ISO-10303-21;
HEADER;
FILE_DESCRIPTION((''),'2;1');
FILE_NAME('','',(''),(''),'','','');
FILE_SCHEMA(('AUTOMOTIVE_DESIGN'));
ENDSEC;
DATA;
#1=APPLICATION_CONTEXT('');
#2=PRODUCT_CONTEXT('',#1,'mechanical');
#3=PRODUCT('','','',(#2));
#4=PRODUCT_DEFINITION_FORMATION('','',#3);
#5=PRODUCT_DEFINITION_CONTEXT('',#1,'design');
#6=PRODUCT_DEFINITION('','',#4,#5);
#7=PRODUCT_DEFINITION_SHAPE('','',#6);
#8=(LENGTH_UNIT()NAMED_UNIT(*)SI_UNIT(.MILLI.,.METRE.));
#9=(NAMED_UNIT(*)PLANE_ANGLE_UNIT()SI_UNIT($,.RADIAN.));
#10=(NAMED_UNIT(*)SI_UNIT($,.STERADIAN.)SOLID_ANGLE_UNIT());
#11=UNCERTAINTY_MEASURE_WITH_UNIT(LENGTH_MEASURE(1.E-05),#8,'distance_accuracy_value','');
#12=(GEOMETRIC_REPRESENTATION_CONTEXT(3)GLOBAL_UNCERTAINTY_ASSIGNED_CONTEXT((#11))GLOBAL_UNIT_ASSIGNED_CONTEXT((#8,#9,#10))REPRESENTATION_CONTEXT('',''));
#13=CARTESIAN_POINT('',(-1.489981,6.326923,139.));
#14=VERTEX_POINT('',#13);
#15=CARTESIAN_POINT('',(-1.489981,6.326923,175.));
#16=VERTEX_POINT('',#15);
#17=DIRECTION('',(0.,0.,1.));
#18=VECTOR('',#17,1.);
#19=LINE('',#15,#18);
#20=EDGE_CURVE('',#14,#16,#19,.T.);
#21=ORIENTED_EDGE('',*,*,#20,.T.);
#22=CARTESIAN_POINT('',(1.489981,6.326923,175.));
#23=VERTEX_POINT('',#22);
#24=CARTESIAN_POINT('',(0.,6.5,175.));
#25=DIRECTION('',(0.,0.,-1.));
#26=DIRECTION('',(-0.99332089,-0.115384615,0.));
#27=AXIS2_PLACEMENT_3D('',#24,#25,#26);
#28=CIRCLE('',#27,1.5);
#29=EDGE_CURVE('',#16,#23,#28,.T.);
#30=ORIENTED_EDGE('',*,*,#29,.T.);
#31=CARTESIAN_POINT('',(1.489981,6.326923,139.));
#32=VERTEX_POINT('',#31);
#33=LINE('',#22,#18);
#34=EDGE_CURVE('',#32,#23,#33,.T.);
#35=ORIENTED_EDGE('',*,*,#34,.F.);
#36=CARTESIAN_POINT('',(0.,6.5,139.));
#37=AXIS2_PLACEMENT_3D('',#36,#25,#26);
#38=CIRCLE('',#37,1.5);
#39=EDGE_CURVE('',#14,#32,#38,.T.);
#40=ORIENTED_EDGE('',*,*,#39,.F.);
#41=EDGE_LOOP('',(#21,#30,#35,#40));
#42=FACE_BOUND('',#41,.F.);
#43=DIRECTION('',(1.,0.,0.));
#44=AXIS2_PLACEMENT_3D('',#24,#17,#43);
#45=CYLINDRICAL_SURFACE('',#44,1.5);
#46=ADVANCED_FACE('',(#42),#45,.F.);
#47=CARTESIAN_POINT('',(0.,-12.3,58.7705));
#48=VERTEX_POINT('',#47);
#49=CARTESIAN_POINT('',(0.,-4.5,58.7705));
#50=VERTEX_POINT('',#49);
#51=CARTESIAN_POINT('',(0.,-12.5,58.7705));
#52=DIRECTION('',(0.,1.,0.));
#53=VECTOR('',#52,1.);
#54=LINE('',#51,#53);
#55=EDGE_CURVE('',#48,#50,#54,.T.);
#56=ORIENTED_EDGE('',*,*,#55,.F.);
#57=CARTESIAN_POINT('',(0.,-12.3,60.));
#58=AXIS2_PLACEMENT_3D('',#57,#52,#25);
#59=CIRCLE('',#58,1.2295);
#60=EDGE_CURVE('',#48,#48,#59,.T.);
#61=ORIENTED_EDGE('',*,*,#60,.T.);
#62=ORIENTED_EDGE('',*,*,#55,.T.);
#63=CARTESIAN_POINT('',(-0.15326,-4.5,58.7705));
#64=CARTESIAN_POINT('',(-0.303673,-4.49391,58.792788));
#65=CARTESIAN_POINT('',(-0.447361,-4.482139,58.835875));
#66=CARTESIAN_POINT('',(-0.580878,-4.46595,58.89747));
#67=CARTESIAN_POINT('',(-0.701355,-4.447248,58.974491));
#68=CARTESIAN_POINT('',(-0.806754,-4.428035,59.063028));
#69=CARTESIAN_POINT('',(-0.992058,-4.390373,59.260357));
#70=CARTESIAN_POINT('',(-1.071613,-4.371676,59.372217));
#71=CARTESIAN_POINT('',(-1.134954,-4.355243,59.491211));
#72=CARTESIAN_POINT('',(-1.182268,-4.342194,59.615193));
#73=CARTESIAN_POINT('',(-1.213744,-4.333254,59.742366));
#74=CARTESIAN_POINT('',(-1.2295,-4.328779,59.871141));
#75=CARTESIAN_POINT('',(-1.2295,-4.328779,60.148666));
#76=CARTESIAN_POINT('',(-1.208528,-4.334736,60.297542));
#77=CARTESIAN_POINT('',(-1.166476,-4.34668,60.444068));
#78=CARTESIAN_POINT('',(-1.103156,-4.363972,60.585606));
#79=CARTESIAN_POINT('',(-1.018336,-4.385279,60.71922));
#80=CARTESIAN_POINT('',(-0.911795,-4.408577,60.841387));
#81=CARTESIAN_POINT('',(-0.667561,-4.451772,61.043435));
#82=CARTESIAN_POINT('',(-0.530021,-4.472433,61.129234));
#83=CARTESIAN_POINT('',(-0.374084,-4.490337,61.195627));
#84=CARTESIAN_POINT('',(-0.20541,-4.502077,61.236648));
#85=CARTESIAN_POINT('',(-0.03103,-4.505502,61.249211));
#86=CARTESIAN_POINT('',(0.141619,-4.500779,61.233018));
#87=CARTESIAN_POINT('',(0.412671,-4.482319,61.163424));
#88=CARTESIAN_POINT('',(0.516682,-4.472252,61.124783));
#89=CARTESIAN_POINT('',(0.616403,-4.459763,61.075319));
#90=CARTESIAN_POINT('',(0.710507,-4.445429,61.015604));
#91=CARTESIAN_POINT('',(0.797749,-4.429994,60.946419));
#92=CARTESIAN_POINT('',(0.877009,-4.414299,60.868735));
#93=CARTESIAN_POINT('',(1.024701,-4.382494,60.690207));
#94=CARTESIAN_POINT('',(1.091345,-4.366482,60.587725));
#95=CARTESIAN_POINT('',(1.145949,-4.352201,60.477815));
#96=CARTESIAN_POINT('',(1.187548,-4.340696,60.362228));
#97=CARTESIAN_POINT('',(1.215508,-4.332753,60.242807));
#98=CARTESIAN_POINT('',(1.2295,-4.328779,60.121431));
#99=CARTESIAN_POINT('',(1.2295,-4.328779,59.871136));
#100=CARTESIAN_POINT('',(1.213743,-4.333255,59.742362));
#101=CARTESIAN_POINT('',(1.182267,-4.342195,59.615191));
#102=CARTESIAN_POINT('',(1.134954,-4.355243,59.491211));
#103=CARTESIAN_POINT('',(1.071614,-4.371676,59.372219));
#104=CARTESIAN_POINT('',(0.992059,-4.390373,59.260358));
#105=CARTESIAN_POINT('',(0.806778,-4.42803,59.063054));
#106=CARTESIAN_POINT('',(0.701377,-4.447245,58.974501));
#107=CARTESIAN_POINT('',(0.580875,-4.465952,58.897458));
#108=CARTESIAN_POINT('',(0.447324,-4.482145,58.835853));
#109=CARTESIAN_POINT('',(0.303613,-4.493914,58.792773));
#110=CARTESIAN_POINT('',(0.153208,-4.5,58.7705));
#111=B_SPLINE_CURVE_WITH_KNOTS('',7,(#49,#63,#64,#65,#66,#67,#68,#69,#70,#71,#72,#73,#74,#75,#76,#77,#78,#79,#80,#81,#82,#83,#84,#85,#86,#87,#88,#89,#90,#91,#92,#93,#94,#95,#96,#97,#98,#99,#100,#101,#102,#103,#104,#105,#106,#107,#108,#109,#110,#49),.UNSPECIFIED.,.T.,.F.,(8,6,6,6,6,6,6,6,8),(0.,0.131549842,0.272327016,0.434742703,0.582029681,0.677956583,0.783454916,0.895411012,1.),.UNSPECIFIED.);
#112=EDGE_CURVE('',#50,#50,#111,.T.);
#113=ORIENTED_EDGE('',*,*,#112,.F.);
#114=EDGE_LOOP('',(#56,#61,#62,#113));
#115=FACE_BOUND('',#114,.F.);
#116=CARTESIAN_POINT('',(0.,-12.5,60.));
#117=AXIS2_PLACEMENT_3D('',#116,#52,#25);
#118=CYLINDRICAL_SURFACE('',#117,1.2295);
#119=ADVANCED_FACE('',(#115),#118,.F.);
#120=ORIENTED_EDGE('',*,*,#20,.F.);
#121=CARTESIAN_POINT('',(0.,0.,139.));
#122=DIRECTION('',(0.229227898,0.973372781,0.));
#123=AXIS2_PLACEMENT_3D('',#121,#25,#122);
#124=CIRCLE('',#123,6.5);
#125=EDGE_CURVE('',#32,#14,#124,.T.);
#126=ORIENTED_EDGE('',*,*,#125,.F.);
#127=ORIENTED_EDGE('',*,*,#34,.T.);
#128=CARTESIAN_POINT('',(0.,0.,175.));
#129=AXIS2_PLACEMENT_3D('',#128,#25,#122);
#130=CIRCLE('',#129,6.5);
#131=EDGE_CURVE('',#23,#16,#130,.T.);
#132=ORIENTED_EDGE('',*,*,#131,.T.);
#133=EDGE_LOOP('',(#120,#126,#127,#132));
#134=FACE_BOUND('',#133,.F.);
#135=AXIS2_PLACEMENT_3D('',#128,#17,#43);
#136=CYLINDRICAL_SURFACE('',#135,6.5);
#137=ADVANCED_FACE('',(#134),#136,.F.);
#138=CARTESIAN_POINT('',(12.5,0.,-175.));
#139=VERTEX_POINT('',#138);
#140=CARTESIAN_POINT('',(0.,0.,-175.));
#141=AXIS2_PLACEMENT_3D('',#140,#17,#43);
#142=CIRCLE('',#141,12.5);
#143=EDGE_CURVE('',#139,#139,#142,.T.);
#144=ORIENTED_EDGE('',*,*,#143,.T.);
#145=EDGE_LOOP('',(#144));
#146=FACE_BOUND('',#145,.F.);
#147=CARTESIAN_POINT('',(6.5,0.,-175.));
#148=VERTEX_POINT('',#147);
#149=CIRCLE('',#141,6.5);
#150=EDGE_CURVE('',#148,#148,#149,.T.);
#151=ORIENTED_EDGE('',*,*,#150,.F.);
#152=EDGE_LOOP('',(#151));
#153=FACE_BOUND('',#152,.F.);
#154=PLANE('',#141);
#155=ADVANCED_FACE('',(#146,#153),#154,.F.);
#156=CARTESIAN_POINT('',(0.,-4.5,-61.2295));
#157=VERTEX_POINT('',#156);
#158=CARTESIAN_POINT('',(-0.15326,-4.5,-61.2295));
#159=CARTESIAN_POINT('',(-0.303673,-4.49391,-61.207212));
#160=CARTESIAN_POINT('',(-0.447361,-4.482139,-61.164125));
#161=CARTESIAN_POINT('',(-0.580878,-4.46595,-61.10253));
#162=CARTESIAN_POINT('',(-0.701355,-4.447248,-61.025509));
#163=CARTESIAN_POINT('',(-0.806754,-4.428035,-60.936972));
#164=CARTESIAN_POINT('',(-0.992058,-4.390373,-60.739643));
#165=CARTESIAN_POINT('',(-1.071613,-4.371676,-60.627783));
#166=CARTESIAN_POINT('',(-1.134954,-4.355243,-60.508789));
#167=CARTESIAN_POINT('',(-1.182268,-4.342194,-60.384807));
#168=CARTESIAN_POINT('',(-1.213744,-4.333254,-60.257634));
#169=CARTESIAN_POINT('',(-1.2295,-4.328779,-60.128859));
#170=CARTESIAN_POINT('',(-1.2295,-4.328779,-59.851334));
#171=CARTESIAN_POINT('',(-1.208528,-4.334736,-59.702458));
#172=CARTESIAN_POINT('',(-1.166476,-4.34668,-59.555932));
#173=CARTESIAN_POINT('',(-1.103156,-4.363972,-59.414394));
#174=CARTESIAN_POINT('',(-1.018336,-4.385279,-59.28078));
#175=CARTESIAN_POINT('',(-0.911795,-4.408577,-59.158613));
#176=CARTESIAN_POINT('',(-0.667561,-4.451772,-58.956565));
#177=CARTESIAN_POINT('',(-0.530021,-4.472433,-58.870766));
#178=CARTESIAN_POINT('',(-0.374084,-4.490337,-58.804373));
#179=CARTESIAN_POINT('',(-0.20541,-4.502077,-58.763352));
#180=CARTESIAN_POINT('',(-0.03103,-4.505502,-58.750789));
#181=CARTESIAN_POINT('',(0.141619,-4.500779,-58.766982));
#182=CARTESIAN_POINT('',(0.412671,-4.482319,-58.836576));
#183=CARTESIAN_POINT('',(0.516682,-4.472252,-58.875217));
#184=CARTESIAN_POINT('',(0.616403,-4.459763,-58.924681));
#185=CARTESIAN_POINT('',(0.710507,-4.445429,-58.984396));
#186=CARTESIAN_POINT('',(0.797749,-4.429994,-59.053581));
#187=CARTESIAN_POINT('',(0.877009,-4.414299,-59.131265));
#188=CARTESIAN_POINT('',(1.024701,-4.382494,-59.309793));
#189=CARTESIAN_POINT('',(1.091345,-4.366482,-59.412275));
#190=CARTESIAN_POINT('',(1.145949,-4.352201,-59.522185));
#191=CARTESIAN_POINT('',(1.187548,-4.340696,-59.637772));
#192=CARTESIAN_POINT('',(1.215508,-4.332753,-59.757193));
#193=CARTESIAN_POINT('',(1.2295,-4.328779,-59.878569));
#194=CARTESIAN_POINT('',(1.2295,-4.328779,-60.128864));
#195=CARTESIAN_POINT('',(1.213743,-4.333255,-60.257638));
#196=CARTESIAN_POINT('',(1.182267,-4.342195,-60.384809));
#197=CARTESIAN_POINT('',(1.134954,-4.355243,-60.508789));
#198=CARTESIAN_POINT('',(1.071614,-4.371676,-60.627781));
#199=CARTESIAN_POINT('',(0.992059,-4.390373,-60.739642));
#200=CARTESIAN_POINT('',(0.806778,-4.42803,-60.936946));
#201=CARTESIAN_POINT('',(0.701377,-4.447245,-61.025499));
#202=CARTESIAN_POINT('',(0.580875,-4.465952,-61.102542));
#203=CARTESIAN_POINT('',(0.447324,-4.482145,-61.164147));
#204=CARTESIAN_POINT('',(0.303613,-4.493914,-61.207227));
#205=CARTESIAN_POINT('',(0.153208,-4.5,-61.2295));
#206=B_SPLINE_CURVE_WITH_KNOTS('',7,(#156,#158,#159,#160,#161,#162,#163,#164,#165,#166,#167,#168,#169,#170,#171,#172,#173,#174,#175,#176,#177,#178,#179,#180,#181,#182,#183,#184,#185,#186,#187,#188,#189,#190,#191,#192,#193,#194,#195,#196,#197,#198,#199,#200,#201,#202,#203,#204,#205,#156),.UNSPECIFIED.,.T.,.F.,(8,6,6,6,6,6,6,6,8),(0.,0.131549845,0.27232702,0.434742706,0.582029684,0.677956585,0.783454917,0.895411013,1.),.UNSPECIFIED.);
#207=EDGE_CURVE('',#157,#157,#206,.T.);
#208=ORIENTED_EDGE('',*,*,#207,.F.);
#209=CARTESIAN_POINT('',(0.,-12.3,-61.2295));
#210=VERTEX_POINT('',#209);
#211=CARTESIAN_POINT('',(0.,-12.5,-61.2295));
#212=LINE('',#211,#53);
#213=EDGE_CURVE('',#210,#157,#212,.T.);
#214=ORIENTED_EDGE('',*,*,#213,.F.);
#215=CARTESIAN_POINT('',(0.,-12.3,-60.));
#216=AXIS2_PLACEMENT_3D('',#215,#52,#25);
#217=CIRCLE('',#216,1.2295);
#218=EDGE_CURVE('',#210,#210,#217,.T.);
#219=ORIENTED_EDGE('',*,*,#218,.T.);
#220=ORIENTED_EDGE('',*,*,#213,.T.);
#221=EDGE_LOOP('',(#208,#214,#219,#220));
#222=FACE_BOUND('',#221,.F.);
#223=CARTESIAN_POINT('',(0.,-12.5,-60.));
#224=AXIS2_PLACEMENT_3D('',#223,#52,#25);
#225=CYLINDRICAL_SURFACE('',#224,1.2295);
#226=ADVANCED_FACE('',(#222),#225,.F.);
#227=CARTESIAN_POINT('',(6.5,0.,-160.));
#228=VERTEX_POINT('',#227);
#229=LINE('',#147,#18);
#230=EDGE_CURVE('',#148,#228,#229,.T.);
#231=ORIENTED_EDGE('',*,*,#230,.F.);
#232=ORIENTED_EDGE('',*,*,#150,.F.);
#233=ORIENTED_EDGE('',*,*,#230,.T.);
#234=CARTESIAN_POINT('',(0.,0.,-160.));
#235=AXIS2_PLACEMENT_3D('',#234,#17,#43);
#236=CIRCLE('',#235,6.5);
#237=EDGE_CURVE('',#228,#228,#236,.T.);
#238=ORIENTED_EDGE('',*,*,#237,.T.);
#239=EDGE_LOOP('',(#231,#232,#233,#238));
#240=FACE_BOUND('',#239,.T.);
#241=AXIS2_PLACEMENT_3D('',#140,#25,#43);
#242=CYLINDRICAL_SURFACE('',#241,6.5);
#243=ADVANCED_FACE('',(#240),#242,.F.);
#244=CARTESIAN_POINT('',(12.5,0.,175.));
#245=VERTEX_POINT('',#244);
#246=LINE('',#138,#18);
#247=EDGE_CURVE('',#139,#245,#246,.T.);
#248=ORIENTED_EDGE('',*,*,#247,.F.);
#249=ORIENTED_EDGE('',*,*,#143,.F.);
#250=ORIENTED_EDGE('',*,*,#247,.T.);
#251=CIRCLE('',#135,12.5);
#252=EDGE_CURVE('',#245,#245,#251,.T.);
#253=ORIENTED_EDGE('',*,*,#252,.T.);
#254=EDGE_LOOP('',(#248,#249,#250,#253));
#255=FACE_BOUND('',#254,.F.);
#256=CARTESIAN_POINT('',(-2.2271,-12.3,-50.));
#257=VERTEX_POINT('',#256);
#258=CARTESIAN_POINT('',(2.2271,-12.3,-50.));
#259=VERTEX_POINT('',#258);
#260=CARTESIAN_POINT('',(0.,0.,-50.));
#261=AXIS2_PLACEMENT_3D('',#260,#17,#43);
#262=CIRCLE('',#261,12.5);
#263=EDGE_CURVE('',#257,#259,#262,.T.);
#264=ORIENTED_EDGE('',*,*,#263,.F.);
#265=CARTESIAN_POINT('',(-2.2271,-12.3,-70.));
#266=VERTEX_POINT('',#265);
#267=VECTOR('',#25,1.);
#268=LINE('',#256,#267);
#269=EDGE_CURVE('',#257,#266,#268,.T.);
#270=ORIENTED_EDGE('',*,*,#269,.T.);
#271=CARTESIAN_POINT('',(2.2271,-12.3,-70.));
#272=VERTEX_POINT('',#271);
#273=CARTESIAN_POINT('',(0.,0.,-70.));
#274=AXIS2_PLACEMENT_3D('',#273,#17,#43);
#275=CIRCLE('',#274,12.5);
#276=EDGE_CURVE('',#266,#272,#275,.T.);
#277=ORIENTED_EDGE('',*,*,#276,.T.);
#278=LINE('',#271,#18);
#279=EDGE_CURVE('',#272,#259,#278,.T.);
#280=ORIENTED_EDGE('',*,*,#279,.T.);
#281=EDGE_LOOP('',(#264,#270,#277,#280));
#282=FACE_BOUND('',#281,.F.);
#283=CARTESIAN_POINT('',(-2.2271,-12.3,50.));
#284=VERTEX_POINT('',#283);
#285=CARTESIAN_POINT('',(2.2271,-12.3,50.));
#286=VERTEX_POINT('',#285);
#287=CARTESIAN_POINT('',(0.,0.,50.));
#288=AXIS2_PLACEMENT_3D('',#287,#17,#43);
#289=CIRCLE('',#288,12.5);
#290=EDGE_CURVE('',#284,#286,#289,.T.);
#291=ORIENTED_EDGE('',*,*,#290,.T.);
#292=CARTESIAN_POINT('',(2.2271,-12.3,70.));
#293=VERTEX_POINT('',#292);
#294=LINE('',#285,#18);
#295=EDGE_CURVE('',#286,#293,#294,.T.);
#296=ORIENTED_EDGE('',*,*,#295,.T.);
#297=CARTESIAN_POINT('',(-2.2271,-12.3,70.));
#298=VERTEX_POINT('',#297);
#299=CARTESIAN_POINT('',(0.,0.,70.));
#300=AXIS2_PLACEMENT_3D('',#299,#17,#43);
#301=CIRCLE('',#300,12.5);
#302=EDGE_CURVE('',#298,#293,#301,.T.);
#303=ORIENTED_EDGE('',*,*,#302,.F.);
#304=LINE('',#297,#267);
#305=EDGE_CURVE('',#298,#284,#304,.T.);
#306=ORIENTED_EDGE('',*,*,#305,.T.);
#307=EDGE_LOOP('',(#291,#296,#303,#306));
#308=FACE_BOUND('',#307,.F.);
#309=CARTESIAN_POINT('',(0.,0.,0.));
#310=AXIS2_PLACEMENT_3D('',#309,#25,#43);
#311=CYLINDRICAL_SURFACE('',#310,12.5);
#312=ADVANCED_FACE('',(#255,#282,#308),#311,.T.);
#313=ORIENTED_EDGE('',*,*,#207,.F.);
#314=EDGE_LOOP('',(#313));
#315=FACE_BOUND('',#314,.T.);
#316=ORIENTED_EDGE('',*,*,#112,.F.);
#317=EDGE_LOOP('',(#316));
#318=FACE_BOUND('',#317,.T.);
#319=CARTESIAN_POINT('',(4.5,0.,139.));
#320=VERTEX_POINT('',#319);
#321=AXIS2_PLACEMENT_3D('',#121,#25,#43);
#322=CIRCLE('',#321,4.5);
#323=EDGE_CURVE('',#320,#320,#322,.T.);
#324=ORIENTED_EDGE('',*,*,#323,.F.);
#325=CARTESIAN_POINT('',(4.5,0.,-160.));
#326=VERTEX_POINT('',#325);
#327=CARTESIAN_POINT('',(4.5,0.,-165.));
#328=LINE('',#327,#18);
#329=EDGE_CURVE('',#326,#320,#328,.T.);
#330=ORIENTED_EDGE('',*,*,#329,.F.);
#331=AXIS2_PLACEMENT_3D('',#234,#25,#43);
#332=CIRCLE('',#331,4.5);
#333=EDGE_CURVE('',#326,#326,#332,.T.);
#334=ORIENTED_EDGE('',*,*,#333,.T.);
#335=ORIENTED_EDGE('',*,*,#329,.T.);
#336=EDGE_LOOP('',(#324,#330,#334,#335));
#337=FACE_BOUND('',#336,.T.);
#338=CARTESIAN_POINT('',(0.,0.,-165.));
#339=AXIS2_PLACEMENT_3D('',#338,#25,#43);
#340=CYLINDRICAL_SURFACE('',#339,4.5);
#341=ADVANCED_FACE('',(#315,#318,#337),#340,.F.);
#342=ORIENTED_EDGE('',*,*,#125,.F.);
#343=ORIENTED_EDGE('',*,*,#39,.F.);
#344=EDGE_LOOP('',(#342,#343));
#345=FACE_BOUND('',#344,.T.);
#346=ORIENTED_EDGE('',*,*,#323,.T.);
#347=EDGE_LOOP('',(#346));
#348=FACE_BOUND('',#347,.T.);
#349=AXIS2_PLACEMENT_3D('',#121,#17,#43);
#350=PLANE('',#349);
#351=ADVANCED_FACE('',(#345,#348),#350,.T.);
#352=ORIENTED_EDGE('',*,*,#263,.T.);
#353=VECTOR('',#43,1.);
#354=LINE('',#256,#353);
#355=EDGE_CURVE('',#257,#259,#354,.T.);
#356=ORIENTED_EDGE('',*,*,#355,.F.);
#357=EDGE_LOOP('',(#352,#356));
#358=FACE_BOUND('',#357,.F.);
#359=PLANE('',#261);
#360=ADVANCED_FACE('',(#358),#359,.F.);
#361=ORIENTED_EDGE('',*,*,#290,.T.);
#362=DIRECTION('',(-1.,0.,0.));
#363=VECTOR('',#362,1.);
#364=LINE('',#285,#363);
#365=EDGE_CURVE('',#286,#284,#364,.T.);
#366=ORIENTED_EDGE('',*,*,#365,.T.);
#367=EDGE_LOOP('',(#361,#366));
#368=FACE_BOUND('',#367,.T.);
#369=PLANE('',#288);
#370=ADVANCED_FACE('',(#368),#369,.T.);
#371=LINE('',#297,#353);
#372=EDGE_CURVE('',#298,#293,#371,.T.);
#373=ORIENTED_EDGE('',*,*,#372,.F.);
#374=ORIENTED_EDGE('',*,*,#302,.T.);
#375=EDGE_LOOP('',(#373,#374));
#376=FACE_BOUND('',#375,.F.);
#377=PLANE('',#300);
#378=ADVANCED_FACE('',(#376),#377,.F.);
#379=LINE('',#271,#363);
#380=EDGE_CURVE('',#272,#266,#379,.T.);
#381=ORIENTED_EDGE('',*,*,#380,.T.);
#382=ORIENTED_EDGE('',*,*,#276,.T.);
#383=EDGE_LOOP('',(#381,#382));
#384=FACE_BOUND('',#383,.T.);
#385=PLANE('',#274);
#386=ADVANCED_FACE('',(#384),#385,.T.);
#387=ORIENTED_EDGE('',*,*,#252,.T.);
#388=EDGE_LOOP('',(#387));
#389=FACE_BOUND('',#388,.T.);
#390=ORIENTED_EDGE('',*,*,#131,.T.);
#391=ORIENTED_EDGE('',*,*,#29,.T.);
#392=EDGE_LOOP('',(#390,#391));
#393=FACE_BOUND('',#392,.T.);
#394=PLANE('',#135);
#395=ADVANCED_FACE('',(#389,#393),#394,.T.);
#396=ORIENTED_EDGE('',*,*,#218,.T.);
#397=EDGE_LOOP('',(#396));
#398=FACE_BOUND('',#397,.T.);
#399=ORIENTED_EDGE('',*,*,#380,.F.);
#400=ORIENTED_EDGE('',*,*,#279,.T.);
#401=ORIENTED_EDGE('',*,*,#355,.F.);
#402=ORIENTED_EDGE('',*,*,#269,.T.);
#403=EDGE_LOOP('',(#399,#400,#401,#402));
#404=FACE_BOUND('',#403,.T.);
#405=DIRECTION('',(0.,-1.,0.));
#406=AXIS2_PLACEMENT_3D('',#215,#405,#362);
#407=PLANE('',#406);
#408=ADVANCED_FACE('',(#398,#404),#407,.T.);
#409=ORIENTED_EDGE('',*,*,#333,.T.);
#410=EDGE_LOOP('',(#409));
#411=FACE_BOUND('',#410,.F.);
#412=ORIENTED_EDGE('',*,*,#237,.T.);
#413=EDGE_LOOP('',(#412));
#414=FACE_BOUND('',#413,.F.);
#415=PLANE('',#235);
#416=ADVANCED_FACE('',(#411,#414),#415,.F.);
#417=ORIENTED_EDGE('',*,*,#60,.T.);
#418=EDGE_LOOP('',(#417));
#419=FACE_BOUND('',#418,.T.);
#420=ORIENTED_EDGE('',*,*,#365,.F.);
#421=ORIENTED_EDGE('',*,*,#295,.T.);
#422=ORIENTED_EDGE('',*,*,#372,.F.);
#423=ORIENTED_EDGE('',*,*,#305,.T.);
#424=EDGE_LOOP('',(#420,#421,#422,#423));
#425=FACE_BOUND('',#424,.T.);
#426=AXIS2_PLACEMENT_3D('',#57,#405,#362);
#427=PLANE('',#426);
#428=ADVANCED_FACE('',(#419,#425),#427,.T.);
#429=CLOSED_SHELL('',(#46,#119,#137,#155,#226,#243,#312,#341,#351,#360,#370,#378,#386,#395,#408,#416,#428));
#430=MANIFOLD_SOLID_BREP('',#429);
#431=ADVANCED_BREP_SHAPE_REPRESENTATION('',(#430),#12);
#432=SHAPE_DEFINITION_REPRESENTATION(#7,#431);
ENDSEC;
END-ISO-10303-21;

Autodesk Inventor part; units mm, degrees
ref_plane "YZ Plane" through (0, 0, 0) normal (1, 0, 0) x (0, 1, 0)
sketch "草图1" plane through (0, 0, 0) normal (0, 0, 1) x (1, 0, 0)
  circle A0 centre (0, 0) radius 12.5
  dimension "d0" = 25
extrude "拉伸1" add sketch "草图1" along normal mid plane 350
ref_plane "工作平面1" through (0, 0, 175) normal (0, 0, 1) x (1, 0, 0)
ref_plane "工作平面3" through (0, 0, -165) normal (0, 0, 1) x (1, 0, 0)
sketch "草图2" plane through (0, 0, 175) normal (0, 0, 1) x (1, 0, 0)
  circle A0 centre (0, 0) radius 6.5
  dimension "d64" = 13
sketch "草图3" plane through (0, 0, -165) normal (0, 0, 1) x (1, 0, 0)
  circle A0 centre (0, 0) radius 4.5
  circle A1 centre (0, 0) radius 6.5
  dimension "d15" = 9
  dimension "d16" = 13
extrude "拉伸2" cut sketch "草图3" along normal blind 350 contours A0
ref_plane "工作平面4" through (0, 12.5, 0) normal (0, 1, 0) x (-1, 0, 0)
sketch "草图8" plane through (0, 0, 175) normal (0, 0, 1) x (1, 0, 0)
  circle A0 centre (0, 0) radius 6.5 projected
  circle A1 centre (0, 6.5) radius 1.5
  dimension "d37" = 3
ref_plane "工作平面5" through (0, -12.5, 0) normal (0, 1, 0) x (-1, 0, 0)
sketch "草图9" plane through (0, -12.5, 0) normal (0, 1, 0) x (-1, 0, 0)
  point P0 (0, 0)
  point P1 (0, 0)
  point P2 (0, 60)
  point P3 (0, -60)
  dimension "d41" = 60
  dimension "d42" = 60
hole "孔3" at (0, -12.5, 60) at (0, -12.5, -60) direction (0, 1, 0) diameter 2.459 depth 8.8 tip angle 118 thread size "M3x0.5" designation "M3" class "6H" standard "GB Metric profile"
ref_plane "工作平面6" through (0, 0, 60) normal (0, 0, 1) x (1, 0, 0)
sketch "草图11" plane through (0, 0, 60) normal (0, 0, 1) x (1, 0, 0)
  line L0 (0, 0) -> (0, -12.3)
  line L1 (2.2271, -12.3) -> (-2.2271, -12.3)
  arc A0 (2.2271, -12.3) -> (0, 12.5) centre (0, 0) ccw
  arc A1 (0, 12.5) -> (-2.2271, -12.3) centre (0, 0) ccw
  circle A2 centre (0, 0) radius 12.5
extrude "拉伸6" cut sketch "草图11" along normal mid plane 20 contours A2 L1
ref_plane "工作平面7" through (0, 0, -60) normal (0, 0, 1) x (1, 0, 0)
sketch "草图12" plane through (0, 0, -60) normal (0, 0, 1) x (1, 0, 0)
  line L0 (0, 0) -> (0, -12.3)
  line L1 (2.2271, -12.3) -> (-2.2271, -12.3)
  arc A0 (2.2271, -12.3) -> (0, 12.5) centre (0, 0) ccw
  arc A1 (0, 12.5) -> (-2.2271, -12.3) centre (0, 0) ccw
  circle A2 centre (0, 0) radius 12.5
extrude "拉伸7" cut sketch "草图12" along normal mid plane 20 contours A2 L1
ref_plane "工作平面8" through (0, 0, -175) normal (0, 0, 1) x (1, 0, 0)
sketch "草图13" plane through (0, 0, -175) normal (0, 0, 1) x (1, 0, 0)
  circle A0 centre (0, 0) radius 6.5
  dimension "d59" = 13
extrude "拉伸8" cut sketch "草图13" along normal blind 15
extrude "拉伸9" cut sketch "草图2" against normal blind 36
thread "螺纹3" size "M14x0.5" class "6H" standard "GB Metric profile" full length
thread "螺纹5" size "M14x0.5" class "6H" standard "ANSI Metric M Profile" full length
extrude "拉伸10" cut sketch "草图8" against normal blind 36 contours A1 A0 | A0 A1 picked at (0, 5.9871) picked at (-0.0289, 6.9863)
properties part number "殷钢管" material "钢，合金"
